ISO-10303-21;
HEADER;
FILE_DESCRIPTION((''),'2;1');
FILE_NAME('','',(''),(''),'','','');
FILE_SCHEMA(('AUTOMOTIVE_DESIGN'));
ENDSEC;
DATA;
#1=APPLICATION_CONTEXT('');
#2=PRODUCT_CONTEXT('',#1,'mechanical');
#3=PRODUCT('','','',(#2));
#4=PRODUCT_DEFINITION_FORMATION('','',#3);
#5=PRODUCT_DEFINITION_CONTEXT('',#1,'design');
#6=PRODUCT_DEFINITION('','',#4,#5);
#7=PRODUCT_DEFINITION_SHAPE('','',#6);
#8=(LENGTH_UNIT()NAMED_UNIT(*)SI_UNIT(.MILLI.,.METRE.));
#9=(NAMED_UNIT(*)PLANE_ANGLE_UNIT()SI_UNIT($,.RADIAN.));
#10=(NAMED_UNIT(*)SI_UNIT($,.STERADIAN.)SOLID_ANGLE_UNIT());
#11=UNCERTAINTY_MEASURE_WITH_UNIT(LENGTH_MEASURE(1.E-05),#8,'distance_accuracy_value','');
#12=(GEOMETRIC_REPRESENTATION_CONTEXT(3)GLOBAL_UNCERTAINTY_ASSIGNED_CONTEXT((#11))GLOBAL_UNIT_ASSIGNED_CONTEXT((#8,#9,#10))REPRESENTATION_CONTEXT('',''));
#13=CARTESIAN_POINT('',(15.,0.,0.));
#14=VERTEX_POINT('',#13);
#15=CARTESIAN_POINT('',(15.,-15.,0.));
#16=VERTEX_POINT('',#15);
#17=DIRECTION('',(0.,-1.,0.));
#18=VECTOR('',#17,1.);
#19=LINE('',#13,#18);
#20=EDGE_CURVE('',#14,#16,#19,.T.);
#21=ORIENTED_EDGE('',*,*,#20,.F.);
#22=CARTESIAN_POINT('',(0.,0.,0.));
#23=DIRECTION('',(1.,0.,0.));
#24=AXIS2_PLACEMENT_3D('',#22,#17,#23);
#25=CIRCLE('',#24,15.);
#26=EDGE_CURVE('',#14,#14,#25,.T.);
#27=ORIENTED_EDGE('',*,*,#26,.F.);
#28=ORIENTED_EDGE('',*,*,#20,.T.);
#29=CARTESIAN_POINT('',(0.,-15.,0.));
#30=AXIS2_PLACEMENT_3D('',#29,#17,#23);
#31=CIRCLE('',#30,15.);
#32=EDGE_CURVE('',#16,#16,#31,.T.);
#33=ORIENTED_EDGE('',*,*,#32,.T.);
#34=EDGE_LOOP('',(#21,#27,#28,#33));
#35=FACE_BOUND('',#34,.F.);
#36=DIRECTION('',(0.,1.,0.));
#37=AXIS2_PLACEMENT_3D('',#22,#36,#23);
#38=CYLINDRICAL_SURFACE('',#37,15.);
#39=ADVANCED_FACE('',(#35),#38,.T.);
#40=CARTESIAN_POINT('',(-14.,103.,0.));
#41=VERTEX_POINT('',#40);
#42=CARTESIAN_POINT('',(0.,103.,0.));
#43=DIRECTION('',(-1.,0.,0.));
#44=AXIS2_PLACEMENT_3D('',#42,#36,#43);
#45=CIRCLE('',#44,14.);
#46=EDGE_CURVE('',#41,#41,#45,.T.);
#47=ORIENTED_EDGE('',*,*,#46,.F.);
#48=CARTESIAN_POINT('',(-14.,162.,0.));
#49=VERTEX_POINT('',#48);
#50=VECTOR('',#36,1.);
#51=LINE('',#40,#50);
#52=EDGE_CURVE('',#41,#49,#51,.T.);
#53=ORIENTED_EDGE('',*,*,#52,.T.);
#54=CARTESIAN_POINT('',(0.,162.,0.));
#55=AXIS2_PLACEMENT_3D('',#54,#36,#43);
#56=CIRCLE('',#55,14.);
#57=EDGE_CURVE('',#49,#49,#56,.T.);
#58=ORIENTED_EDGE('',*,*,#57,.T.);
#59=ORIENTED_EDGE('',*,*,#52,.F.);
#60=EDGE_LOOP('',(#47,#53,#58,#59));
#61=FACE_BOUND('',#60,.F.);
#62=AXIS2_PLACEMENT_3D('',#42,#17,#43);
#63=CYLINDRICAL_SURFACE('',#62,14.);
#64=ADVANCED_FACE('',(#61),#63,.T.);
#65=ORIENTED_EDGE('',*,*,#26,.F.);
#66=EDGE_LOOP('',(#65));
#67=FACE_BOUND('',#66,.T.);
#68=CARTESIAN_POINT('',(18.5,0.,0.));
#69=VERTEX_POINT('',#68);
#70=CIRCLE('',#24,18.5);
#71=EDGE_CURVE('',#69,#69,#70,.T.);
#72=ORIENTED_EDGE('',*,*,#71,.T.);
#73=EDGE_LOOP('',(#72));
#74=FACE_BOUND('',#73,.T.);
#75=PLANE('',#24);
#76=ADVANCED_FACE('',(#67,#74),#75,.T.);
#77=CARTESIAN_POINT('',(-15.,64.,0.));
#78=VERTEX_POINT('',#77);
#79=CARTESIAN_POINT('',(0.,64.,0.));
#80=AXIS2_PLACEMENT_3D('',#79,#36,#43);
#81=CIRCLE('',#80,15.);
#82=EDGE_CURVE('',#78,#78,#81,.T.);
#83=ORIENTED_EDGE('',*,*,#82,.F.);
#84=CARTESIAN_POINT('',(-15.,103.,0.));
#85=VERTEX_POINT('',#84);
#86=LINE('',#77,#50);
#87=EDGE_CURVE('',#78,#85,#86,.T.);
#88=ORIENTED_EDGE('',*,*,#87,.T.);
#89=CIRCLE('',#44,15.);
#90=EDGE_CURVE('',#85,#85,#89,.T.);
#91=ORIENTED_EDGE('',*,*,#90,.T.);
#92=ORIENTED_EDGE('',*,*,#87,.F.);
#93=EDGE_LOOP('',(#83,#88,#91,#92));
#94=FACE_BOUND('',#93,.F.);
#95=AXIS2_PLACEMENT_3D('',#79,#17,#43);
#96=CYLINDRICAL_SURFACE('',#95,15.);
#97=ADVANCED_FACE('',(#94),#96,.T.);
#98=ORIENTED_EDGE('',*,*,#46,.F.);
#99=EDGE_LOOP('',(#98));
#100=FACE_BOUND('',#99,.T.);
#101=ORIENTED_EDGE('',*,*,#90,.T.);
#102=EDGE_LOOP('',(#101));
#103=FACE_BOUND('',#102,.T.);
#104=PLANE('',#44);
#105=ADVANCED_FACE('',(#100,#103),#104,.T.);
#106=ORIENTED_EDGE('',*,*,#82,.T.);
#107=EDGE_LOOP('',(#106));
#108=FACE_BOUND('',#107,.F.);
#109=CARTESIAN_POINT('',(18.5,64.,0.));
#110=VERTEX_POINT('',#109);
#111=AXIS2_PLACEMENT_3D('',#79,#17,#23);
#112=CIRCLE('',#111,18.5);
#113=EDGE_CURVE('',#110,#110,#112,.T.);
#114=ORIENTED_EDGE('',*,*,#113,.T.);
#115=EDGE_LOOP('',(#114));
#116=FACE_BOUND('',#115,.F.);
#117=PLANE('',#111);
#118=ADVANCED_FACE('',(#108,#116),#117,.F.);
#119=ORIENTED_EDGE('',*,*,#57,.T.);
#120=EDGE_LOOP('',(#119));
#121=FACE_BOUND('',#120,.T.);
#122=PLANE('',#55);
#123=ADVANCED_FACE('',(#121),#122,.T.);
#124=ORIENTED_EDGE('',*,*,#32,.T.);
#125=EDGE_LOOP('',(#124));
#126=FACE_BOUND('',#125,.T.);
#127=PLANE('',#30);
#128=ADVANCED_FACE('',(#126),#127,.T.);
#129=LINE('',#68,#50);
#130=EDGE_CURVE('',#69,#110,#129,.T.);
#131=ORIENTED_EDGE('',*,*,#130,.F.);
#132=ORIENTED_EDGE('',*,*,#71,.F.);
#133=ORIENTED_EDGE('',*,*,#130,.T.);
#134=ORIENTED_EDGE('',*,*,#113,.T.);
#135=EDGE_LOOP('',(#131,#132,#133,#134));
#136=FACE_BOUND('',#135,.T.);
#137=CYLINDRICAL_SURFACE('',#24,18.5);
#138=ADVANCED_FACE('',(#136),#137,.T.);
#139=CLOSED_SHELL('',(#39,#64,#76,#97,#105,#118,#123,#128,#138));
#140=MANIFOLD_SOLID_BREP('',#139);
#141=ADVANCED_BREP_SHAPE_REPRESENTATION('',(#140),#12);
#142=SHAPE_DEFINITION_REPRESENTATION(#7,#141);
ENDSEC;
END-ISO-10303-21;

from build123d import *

# Parameters (mm, degrees)
F0_R     = 15
F1_DEPTH = 15
F2_R     = 18.5
F3_DEPTH = 64
F4_R     = 15
F5_DEPTH = 39
F6_R     = 14
F7_DEPTH = 59


with BuildPart() as f1:
    # F0 (on Front) → F1 (new body)
    with BuildSketch(Plane.XZ):
        Circle(F0_R)
    extrude(amount=F1_DEPTH)

    # F2 (on Front) → F3 (join)
    with BuildSketch(Plane.XZ):
        Circle(F2_R)
    extrude(amount=-F3_DEPTH)

    # F4 (on face) → F5 (join)
    with BuildSketch(Plane(origin=(0, 64, 0), x_dir=(-1, 0, 0), z_dir=(0, 1, 0))):
        Circle(F4_R)
    extrude(amount=F5_DEPTH)

    # F6 (on face) → F7 (join)
    with BuildSketch(Plane(origin=(0, 103, 0), x_dir=(-1, 0, 0), z_dir=(0, 1, 0))):
        Circle(F6_R)
    extrude(amount=F7_DEPTH)


solid = f1.part
